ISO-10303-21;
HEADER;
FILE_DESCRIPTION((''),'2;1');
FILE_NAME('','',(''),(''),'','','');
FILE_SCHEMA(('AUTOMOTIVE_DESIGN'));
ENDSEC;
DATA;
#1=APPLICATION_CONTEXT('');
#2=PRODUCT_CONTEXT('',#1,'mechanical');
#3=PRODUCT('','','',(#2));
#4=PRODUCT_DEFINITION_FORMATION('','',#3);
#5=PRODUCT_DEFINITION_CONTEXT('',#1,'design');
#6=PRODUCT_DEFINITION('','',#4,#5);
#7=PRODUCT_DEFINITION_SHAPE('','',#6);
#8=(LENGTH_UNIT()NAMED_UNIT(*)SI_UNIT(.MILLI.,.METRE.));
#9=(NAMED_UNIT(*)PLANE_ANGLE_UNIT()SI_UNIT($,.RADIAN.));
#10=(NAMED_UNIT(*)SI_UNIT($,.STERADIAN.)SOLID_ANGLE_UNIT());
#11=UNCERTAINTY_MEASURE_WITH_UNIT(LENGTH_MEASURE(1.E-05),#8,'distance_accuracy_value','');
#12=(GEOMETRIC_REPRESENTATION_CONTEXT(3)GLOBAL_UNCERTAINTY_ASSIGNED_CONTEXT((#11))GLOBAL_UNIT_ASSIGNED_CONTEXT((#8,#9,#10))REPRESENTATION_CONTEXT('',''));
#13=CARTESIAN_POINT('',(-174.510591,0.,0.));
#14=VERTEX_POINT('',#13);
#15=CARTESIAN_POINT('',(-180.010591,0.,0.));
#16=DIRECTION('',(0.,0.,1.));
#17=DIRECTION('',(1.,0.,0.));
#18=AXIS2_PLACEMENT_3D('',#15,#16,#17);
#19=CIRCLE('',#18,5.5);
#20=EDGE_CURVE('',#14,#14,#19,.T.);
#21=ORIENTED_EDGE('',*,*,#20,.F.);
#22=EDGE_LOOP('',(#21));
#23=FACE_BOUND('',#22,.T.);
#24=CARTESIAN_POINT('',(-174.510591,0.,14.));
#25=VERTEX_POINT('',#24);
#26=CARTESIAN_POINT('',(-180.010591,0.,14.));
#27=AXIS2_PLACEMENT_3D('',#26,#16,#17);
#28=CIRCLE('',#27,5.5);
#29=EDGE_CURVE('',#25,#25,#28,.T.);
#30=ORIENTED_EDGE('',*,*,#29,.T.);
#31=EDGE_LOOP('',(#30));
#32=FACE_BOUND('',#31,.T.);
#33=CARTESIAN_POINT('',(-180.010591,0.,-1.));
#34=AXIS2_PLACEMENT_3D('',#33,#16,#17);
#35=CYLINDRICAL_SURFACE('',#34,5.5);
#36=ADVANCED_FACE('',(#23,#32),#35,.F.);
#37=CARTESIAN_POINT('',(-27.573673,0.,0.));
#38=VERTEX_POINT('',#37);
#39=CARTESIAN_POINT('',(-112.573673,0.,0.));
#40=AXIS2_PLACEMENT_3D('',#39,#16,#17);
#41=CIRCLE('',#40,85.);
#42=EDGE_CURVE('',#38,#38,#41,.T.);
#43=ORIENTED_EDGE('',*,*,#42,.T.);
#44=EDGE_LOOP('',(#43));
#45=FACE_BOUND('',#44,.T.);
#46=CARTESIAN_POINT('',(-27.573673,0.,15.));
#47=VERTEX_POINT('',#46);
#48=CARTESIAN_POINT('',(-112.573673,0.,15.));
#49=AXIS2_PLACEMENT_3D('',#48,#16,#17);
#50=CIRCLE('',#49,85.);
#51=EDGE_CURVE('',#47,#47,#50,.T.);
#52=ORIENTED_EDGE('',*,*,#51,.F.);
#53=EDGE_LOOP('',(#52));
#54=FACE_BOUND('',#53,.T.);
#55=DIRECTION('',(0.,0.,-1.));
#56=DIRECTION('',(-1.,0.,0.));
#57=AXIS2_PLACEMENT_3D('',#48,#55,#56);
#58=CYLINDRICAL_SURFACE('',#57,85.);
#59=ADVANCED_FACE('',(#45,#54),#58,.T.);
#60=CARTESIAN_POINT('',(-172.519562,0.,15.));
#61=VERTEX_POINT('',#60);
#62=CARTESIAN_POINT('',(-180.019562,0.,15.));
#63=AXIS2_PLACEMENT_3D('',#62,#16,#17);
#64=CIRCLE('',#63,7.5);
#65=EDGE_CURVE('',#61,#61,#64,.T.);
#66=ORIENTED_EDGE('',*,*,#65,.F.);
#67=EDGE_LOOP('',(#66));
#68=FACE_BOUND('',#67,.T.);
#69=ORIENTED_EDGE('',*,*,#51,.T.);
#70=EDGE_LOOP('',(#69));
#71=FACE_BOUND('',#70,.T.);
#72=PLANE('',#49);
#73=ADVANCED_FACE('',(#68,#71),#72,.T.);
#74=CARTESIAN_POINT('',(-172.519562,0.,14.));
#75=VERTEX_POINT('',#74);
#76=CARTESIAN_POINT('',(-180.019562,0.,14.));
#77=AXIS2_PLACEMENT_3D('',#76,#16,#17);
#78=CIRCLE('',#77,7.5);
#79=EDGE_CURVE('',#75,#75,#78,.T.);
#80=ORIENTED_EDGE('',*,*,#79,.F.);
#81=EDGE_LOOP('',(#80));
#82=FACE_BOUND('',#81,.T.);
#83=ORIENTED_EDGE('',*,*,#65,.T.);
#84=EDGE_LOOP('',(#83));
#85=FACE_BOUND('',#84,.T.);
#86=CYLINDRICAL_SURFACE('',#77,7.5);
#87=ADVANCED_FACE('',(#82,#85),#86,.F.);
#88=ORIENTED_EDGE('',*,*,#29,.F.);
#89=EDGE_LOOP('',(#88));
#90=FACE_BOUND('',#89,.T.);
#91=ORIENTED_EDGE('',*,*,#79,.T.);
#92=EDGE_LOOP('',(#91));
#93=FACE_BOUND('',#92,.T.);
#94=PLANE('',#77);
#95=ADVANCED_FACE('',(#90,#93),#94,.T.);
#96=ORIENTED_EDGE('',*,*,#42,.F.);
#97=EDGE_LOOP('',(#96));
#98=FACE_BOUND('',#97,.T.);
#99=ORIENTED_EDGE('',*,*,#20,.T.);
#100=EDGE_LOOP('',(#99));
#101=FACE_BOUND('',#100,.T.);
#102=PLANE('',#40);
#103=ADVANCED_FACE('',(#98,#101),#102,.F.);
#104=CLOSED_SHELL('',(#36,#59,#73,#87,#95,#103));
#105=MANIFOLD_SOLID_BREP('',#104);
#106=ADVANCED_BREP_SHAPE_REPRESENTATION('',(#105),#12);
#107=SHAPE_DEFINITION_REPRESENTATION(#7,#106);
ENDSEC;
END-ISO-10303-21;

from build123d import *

# Parameters (mm, degrees)
ESQUISSE1_R             = 85
BOSS_EXTRU_1_DEPTH      = 15
ESQUISSE2_R             = 7.5
ENL_V_MAT_EXTRU_1_DEPTH = 1
ESQUISSE4_R             = 5.5
ENL_V_MAT_EXTRU_2_DEPTH = 15


with BuildPart() as part:
    # Esquisse1 → Boss.-Extru.1 (new body)
    with BuildSketch(Plane.XY):
        with Locations((-112.573673301, 0)):
            Circle(ESQUISSE1_R)
    extrude(amount=BOSS_EXTRU_1_DEPTH)

    # Esquisse2 → Enlèv. mat.-Extru.1 (cut)
    with BuildSketch(Plane.XY.offset(15)):
        with Locations((-180.019561977, 0)):
            Circle(ESQUISSE2_R)
    extrude(amount=-ENL_V_MAT_EXTRU_1_DEPTH, mode=Mode.SUBTRACT)

    # Esquisse4 → Enlèv. mat.-Extru.2 (cut)
    with BuildSketch(Plane.XY.offset(14)):
        with Locations((-180.010590856, 0)):
            Circle(ESQUISSE4_R)
    extrude(amount=-ENL_V_MAT_EXTRU_2_DEPTH, mode=Mode.SUBTRACT)


solid = part.part
